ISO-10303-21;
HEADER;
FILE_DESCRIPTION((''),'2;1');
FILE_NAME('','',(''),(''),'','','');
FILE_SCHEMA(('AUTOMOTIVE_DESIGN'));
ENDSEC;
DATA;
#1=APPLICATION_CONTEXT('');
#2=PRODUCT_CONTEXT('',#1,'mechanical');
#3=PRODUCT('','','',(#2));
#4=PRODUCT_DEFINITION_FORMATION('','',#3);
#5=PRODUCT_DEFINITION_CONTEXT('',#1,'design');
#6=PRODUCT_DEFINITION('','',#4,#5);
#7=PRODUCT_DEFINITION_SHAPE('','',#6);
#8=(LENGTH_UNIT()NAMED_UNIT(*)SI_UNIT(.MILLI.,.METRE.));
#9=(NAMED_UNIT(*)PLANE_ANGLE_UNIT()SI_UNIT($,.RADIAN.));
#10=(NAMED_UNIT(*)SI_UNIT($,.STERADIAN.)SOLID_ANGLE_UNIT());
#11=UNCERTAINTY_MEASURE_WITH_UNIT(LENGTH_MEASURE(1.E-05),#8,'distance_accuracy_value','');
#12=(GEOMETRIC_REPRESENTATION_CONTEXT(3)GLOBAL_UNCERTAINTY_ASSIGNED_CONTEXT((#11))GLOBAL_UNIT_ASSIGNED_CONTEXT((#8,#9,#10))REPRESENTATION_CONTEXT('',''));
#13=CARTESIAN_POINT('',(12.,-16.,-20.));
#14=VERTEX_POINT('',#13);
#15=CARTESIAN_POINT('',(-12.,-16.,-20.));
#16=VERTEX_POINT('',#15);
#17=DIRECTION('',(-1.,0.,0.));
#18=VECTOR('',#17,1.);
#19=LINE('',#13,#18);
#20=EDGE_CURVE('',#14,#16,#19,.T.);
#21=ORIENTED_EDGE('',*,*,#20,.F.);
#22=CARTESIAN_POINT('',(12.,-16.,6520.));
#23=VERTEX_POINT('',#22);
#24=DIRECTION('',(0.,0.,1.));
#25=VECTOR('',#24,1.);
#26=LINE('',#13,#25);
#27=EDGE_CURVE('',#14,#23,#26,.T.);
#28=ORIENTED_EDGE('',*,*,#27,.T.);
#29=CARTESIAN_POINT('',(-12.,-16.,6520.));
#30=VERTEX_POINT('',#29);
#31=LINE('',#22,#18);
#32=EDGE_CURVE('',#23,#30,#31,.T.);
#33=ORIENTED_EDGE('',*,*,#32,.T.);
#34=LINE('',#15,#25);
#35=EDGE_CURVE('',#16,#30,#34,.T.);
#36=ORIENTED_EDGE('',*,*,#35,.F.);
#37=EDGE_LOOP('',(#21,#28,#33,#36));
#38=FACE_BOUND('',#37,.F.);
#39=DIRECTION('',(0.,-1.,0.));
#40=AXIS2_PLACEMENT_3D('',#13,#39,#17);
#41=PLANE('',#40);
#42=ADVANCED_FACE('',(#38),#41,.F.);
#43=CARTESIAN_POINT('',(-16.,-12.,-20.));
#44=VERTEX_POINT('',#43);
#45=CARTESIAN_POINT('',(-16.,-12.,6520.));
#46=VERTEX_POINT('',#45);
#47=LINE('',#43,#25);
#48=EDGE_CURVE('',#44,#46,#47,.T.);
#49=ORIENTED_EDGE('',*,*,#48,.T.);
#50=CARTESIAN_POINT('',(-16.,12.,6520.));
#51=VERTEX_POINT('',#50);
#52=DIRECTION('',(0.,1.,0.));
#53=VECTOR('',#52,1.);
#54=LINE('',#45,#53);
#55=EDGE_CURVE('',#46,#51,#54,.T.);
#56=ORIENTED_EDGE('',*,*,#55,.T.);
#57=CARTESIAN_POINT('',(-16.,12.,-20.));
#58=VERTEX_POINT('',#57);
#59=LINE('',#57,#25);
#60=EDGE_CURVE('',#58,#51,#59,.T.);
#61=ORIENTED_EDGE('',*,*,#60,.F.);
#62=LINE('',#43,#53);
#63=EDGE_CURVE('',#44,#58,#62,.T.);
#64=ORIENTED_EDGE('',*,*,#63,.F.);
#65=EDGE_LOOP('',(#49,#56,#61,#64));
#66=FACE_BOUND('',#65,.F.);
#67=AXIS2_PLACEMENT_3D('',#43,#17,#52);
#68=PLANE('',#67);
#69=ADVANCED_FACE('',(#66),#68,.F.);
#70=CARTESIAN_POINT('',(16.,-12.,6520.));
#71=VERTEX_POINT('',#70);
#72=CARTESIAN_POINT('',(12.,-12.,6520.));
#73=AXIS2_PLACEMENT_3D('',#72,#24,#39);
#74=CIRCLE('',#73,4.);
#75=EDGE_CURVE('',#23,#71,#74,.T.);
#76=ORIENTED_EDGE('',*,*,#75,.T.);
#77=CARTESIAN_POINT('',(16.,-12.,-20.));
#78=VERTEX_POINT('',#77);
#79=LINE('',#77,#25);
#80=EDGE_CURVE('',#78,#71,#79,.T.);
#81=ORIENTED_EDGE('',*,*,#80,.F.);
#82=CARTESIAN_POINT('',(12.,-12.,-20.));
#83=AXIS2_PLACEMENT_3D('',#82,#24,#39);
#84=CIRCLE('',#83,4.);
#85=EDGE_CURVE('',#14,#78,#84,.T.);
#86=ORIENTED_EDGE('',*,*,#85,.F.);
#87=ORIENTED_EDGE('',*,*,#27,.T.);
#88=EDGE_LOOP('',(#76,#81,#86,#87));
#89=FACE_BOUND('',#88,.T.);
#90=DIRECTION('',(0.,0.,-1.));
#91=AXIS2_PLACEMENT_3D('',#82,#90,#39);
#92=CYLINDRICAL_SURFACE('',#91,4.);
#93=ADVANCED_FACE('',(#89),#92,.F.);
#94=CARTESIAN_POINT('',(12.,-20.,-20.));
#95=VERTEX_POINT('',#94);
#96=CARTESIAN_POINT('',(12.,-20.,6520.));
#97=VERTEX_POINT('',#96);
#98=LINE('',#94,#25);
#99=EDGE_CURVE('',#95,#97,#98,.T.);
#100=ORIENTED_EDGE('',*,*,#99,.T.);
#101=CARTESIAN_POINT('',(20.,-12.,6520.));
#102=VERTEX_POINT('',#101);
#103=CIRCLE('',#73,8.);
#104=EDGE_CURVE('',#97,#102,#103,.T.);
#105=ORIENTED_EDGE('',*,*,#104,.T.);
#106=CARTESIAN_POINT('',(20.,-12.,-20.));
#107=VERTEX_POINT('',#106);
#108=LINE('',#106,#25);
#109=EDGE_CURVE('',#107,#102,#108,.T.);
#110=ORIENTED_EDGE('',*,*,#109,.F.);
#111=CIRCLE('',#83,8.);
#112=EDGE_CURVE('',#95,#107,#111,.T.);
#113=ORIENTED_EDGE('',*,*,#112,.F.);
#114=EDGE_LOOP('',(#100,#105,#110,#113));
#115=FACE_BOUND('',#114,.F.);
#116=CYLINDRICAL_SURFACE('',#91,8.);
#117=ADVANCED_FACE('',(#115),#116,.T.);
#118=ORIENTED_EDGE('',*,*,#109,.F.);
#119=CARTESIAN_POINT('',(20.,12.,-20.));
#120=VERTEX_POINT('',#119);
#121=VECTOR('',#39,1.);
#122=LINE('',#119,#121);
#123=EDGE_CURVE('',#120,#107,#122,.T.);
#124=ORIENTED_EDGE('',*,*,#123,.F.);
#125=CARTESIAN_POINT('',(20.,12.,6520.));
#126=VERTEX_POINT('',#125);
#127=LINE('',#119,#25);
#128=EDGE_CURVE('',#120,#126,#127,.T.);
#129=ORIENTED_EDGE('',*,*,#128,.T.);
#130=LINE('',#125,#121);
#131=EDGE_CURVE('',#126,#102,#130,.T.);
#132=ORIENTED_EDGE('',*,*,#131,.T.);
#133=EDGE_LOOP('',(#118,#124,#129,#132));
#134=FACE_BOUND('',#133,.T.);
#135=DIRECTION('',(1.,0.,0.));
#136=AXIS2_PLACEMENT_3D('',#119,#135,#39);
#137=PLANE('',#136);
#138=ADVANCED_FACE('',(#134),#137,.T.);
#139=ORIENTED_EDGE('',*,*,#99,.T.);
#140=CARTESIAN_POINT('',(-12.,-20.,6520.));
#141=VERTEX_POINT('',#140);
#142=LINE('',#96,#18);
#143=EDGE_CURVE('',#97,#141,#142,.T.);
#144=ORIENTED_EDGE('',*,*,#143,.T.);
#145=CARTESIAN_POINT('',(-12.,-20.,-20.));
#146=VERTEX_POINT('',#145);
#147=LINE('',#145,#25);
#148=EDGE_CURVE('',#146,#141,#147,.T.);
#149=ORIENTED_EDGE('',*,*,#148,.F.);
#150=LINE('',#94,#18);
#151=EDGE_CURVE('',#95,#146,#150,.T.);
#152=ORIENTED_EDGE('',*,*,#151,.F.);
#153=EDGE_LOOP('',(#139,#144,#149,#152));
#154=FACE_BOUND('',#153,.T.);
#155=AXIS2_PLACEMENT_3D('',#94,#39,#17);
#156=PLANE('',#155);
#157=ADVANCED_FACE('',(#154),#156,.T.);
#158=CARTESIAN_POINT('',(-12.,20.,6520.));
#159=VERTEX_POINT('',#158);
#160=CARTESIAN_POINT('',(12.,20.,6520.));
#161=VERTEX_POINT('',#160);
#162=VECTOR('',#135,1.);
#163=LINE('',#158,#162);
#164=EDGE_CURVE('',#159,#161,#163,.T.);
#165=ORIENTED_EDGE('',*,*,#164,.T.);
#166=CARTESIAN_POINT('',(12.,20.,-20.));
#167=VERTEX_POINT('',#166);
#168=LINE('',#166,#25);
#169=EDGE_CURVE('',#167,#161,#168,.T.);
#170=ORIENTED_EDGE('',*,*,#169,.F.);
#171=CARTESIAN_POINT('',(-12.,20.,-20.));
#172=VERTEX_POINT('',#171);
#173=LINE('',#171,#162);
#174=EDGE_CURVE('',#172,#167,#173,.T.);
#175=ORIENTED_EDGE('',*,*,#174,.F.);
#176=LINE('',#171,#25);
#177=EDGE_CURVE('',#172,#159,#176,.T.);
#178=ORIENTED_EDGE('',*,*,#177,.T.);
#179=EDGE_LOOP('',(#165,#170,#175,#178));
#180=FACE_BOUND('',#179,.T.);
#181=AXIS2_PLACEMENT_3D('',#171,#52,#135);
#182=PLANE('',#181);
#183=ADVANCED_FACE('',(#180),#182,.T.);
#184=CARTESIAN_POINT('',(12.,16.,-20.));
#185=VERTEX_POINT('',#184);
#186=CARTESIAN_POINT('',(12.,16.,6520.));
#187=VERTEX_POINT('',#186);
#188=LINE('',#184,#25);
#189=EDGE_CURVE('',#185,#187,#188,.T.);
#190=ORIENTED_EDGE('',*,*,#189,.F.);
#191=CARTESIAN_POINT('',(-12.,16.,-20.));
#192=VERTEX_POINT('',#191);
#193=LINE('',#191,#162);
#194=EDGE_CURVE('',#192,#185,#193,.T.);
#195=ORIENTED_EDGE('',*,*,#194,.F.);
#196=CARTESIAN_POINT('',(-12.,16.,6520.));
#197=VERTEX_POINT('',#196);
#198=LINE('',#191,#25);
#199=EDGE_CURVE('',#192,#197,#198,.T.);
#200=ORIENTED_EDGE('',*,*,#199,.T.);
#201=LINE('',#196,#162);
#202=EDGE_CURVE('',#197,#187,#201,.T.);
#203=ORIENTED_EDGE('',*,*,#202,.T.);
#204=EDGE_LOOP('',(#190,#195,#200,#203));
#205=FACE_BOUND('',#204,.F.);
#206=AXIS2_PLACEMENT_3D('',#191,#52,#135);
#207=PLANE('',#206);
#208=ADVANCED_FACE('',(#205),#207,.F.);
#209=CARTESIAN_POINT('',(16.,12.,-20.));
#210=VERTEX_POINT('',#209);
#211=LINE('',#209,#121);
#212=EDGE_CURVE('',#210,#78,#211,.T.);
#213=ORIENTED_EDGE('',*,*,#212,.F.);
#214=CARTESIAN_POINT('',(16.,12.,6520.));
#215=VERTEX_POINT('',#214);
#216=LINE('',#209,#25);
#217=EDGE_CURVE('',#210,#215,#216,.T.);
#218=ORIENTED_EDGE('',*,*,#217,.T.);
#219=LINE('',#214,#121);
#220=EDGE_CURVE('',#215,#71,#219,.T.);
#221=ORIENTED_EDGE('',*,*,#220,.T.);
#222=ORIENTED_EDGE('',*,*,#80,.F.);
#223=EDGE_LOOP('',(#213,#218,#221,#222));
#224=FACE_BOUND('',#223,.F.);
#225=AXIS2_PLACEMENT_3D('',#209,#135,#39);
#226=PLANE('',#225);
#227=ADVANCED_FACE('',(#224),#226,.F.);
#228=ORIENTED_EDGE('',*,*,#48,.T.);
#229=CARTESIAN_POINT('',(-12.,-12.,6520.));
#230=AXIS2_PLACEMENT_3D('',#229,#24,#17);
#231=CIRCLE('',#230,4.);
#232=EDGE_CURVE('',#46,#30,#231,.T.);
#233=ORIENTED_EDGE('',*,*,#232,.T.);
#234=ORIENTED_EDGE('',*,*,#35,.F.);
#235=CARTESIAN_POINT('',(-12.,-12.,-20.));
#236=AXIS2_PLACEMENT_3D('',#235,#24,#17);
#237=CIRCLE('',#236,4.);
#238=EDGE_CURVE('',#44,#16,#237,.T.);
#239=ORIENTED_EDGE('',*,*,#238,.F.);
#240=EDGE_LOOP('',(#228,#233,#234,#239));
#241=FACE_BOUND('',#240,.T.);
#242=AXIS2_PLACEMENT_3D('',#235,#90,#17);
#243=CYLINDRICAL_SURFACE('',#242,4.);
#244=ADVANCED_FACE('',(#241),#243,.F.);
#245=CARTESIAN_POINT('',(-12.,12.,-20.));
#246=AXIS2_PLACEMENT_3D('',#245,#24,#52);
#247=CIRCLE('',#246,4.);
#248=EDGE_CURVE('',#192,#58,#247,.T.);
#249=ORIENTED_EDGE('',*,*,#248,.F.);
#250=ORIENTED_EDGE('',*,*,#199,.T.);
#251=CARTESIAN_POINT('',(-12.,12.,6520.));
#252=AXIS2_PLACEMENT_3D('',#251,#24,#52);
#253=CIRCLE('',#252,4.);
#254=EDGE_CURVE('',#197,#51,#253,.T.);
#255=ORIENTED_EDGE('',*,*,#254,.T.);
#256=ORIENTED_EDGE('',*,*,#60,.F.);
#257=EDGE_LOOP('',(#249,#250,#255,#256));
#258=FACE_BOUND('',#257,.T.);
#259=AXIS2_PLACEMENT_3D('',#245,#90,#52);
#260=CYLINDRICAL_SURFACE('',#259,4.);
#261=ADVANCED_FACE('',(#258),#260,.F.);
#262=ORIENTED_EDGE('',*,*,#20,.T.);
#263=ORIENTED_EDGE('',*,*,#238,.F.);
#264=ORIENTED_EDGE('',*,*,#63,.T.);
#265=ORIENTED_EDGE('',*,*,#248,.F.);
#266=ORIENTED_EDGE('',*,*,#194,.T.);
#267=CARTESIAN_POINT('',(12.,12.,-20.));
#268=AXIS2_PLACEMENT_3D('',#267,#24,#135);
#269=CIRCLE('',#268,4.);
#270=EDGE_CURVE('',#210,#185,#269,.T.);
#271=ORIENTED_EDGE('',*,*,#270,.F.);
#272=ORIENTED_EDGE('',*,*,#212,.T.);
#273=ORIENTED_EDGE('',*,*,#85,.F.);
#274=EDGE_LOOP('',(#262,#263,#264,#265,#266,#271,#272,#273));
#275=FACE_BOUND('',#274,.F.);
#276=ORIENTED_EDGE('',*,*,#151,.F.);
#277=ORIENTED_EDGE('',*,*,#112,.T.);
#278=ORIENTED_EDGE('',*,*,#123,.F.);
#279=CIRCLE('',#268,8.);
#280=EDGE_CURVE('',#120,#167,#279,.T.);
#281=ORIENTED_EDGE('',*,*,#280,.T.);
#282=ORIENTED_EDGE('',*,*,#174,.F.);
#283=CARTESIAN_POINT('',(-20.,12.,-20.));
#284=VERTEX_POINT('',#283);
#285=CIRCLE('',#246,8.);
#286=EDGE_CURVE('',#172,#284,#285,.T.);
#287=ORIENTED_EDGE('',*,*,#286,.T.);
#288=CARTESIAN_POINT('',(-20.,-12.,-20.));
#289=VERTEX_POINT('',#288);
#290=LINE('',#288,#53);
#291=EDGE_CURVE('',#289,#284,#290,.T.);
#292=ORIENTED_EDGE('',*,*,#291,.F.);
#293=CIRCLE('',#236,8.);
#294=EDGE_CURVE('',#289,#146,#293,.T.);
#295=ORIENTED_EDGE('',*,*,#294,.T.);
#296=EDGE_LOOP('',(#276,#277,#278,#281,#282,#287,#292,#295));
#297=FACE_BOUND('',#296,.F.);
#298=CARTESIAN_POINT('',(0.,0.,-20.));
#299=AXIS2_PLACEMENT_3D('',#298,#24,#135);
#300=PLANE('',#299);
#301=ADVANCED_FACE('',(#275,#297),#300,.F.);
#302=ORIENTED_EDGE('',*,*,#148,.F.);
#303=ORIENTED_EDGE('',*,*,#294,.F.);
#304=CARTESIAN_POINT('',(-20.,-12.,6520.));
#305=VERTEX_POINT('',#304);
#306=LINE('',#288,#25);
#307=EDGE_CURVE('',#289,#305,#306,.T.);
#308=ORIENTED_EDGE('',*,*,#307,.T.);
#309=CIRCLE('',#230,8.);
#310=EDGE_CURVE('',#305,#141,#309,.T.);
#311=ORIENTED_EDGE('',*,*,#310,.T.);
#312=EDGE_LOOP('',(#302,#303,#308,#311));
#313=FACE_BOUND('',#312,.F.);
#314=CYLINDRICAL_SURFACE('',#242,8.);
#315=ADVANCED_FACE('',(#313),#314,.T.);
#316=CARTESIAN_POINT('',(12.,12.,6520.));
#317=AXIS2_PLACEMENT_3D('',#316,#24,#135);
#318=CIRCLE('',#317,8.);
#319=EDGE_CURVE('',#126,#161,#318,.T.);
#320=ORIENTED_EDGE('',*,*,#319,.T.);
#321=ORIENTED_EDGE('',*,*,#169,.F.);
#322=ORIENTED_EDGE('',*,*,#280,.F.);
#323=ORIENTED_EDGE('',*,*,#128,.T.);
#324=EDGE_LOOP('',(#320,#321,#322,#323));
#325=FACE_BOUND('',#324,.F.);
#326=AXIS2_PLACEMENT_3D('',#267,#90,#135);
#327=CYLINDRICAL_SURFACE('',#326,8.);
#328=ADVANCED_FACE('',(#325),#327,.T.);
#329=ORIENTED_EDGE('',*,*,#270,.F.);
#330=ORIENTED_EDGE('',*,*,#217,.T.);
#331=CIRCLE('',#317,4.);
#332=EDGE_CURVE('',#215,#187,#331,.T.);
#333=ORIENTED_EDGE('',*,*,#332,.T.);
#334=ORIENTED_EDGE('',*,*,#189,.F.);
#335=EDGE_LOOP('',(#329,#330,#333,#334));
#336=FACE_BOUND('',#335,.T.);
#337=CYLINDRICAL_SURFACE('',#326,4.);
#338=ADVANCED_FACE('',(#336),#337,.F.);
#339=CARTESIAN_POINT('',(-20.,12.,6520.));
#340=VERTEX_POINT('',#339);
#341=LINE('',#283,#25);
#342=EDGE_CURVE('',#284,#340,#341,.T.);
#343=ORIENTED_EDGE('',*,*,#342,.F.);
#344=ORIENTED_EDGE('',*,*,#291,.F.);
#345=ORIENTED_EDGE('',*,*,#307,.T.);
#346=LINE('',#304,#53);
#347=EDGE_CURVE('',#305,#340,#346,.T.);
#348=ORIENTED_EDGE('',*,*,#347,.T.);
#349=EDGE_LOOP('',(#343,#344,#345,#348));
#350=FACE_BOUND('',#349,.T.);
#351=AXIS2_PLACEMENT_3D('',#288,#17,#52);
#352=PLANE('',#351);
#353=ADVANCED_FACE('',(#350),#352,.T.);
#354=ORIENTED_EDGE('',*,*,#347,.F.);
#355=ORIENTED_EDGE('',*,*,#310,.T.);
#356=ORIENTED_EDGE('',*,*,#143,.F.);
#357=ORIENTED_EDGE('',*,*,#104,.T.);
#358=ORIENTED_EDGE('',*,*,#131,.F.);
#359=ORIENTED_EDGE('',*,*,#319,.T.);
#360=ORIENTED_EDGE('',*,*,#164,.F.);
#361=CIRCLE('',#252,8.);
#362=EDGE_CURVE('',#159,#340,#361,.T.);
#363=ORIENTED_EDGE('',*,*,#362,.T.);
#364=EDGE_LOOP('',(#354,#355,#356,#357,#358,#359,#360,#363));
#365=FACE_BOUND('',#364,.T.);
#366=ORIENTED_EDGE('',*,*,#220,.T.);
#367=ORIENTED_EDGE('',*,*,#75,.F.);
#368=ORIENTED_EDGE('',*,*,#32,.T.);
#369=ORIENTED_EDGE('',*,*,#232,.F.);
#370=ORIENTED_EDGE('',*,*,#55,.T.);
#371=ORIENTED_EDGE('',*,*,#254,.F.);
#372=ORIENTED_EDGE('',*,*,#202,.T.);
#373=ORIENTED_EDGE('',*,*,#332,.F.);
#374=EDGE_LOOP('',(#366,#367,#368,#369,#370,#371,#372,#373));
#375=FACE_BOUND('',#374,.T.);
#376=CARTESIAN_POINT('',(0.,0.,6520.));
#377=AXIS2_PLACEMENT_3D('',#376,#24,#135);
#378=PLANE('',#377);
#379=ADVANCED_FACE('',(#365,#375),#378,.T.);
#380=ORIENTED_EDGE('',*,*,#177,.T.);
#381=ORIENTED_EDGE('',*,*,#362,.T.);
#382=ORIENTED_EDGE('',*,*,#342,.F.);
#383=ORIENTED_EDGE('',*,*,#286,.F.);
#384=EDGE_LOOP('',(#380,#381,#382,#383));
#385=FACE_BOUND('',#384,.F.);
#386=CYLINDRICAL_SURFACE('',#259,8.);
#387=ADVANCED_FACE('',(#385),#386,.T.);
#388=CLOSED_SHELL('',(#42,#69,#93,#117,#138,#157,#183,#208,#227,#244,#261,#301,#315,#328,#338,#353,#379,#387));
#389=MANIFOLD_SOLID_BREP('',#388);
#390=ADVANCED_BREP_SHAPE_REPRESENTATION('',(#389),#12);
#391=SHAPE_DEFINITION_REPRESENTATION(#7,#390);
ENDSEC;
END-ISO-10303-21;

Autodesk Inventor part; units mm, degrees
ref_plane "Start Plane" through (0, 0, -20) normal (0, 0, 1) x (1, 0, 0)
ref_plane "End Plane" through (0, 0, 6520) normal (0, 0, 1) x (1, 0, 0)
sketch "Sketch" plane through (0, 0, 0) normal (0, 0, 1) x (1, 0, 0)
  line L0 (-20, -12) -> (-20, 12)
  line L1 (-12, 20) -> (12, 20)
  line L2 (20, 12) -> (20, -12)
  line L3 (12, -20) -> (-12, -20)
  arc A0 (-20, -12) -> (-12, -20) centre (-12, -12) ccw
  arc A1 (20, 12) -> (12, 20) centre (12, 12) ccw
  arc A2 (-12, 20) -> (-20, 12) centre (-12, 12) ccw
  arc A3 (12, -20) -> (20, -12) centre (12, -12) ccw
  arc A4 (-12, 16) -> (-16, 12) centre (-12, 12) ccw
  line L4 (-12, 16) -> (12, 16)
  arc A5 (16, 12) -> (12, 16) centre (12, 12) ccw
  line L5 (16, 12) -> (16, -12)
  arc A6 (12, -16) -> (16, -12) centre (12, -12) ccw
  line L6 (12, -16) -> (-12, -16)
  arc A7 (-16, -12) -> (-12, -16) centre (-12, -12) ccw
  line L7 (-16, -12) -> (-16, 12)
  line L8 (0, 30.3196) -> (0, -30.3196) construction
  line L9 (-30.3196, 0) -> (30.3196, 0) construction
  dimension "d7" = 8
  dimension "d9" = 40
  dimension "d11" = 40
  dimension "d12" = 4
  dimension "d15" = 20
  dimension "d16" = 20
extrude "Body" add sketch "Sketch" along normal up to surface (6540 mm away) from surface at -20
sketch "Sketch3" plane through (0, 0, 0) normal (0, 0, 1) x (1, 0, 0)
  line L0 (0, 0) -> (10, 0)
ref_plane "Work Plane3" through (0, 0, 0) normal (0, -1, 0) x (1, 0, 0)
ref_plane "Work Plane6" through (-12, 0, -20) normal (0, 0, -1) x (-1, 0, 0)
split "Split3" plane through (-12, 0, -20) removes the side toward (0, 0, -1)
ref_plane "Work Plane7" through (12, -2000, 6520) normal (0, 0, 1) x (1, 0, 0)
split "Split4" plane through (12, -2000, 6520) removes the side toward (0, 0, 1)
sketch "Sketch4" plane through (0, 0, 0) normal (0, -1, 0) x (1, 0, 0)
  line L0 (-2, -20) -> (12, -20) projected
  line L1 (-2, 6520) -> (12, 6520) projected
  dimension "d18" = 6540
equation "\"d7\" = G_IR"
equation "\"d9\" = G_W"
equation "\"d11\" = G_H"
equation "\"d12\" = G_T"
equation "\"d15\" = 0.5 * d9"
equation "\"d16\" = 0.5 * d11"
equation "\"d3\" = G_L"
equation "\"G_W\" = 40"
equation "\"G_H\" = 40"
equation "\"G_T\" = 4"
equation "\"G_IR\" = 8"
equation "\"G_L\" = d18"
properties part number "ISO 10799-2 - 40x40x4 - 6540" material "Steel, Mild"
